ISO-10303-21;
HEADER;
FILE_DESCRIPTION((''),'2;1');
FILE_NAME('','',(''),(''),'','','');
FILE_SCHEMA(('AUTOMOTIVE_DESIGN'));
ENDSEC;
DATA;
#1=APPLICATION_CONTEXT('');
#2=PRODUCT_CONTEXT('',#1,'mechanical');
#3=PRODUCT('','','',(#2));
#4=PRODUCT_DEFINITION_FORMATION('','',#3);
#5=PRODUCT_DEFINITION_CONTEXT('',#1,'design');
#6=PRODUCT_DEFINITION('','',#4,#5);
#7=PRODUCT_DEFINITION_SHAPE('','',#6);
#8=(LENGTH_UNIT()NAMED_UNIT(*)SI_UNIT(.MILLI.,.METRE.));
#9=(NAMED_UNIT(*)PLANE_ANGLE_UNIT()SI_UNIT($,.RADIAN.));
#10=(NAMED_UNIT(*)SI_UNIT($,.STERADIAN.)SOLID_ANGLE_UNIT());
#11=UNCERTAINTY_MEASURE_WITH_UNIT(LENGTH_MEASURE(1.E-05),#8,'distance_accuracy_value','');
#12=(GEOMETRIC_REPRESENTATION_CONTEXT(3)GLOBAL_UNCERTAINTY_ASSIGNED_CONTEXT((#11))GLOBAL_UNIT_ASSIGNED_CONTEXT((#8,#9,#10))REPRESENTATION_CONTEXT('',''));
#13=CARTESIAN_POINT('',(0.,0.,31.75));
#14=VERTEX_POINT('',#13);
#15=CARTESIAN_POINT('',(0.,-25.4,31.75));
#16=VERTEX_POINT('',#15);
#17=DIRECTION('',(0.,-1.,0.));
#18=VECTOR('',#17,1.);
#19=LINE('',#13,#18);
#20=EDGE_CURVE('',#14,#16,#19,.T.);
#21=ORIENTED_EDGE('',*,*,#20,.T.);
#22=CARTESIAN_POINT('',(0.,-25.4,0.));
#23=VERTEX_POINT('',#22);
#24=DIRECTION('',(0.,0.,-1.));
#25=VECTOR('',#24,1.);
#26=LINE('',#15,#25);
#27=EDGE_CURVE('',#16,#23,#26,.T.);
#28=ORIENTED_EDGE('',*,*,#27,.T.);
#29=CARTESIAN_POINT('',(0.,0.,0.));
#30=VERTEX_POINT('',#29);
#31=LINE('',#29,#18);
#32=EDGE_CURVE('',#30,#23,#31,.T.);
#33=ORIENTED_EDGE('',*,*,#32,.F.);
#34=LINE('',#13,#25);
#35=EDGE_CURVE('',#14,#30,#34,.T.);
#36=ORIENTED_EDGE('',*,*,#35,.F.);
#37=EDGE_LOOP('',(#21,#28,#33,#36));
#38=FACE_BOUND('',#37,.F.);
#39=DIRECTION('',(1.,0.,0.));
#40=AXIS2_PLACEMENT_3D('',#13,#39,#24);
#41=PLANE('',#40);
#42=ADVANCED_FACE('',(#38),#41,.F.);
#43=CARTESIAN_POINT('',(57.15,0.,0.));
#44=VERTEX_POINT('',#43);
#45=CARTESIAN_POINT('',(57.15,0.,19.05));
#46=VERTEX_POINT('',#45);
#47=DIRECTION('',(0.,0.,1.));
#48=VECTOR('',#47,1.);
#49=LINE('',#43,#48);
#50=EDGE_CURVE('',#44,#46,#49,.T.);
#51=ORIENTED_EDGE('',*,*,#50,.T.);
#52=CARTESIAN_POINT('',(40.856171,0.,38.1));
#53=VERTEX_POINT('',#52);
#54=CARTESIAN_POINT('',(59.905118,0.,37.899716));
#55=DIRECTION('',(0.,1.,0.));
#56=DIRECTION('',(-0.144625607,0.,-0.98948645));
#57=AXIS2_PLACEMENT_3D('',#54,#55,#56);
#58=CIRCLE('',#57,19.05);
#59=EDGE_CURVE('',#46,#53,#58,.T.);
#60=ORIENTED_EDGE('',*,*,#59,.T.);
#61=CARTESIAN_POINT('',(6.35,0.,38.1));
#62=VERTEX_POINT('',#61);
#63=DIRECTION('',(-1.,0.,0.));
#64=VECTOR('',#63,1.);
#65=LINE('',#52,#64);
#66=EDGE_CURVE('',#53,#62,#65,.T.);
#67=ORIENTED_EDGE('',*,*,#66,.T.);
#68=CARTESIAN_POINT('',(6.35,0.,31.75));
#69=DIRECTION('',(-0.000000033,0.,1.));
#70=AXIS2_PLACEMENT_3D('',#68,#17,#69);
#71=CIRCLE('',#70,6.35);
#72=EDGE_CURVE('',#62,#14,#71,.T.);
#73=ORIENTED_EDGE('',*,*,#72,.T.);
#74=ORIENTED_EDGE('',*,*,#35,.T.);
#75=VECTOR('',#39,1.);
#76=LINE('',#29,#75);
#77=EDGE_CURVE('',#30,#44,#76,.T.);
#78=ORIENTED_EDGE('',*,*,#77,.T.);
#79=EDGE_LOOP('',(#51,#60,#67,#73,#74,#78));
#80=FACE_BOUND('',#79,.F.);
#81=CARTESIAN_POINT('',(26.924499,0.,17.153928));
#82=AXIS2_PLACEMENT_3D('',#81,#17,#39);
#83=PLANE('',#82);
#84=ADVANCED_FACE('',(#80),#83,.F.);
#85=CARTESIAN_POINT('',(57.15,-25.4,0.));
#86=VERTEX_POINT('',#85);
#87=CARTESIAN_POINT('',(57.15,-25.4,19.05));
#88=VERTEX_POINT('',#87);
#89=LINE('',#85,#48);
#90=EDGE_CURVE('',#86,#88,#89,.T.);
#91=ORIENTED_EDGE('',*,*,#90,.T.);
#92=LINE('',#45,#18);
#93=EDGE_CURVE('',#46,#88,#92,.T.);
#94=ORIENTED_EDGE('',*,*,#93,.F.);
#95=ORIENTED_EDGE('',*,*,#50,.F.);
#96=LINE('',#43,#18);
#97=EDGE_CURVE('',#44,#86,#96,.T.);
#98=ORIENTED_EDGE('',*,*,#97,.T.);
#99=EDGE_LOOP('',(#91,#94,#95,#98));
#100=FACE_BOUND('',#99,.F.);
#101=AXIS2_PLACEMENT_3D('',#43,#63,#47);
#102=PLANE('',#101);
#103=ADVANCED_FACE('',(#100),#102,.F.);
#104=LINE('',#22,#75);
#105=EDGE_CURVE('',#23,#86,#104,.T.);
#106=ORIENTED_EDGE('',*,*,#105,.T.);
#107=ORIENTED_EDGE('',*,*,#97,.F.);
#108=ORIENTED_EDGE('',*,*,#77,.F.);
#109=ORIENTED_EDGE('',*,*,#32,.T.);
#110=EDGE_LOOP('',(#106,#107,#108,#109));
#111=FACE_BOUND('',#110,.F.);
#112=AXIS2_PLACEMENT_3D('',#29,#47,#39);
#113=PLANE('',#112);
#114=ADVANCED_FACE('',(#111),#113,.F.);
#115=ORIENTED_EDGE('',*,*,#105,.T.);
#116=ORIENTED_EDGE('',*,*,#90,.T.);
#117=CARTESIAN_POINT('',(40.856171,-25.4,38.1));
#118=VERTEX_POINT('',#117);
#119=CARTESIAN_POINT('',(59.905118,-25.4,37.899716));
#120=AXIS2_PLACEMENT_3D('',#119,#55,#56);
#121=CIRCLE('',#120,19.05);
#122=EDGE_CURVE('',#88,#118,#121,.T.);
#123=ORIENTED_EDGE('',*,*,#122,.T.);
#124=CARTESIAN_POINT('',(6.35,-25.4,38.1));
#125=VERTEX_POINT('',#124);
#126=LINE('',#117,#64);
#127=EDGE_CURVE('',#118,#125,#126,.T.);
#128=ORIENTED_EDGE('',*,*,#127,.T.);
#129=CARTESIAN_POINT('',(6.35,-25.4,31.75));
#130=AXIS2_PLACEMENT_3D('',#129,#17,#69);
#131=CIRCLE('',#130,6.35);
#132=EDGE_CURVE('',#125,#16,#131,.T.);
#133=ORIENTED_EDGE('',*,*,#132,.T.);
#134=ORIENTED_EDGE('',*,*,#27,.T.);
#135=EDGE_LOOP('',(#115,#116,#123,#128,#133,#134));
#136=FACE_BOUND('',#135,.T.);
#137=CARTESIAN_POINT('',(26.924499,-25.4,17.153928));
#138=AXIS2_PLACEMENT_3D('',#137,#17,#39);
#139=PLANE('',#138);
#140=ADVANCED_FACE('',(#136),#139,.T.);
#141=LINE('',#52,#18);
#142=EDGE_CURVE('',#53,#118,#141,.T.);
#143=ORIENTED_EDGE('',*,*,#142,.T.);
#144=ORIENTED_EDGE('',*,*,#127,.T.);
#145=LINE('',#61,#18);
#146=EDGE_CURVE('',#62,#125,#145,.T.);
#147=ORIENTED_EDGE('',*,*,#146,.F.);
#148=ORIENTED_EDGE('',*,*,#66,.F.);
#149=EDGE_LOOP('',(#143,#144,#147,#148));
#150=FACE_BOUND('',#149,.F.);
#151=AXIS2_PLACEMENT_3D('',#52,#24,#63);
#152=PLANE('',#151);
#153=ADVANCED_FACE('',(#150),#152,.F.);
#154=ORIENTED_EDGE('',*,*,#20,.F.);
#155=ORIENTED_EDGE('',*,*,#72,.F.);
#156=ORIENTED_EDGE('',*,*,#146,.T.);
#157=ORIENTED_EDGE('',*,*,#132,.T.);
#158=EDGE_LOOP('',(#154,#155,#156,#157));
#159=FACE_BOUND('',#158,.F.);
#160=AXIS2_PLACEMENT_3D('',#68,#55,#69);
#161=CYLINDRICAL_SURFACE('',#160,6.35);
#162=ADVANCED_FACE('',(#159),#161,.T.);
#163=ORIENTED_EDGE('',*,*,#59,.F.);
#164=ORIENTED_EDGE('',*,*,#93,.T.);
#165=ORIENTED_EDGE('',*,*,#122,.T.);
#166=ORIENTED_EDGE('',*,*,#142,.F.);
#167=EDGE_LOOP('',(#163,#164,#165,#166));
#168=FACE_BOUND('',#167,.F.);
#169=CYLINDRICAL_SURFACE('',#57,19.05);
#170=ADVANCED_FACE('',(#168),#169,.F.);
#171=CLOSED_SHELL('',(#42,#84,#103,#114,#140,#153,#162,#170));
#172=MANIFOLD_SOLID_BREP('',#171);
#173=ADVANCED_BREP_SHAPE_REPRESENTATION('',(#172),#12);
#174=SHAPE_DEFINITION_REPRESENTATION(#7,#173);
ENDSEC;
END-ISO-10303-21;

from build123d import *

# Parameters (mm, degrees)
F1_DEPTH = 25.4


with BuildPart() as f1:
    # F0 (on Front) → F1 (new body)
    with BuildSketch(Plane.XZ):
        with BuildLine():
            Line((0, 31.75), (0, 0))
            Line((0, 0), (57.15, 0))
            Line((57.15, 0), (57.15, 19.05))
            ThreePointArc((57.15, 19.05), (45.428242, 25.517368), (40.856171, 38.1))
            Line((40.856171, 38.1), (6.35, 38.1))
            ThreePointArc((6.35, 38.1), (1.859872, 36.240128), (0, 31.75))
        make_face()
    extrude(amount=F1_DEPTH)


solid = f1.part
